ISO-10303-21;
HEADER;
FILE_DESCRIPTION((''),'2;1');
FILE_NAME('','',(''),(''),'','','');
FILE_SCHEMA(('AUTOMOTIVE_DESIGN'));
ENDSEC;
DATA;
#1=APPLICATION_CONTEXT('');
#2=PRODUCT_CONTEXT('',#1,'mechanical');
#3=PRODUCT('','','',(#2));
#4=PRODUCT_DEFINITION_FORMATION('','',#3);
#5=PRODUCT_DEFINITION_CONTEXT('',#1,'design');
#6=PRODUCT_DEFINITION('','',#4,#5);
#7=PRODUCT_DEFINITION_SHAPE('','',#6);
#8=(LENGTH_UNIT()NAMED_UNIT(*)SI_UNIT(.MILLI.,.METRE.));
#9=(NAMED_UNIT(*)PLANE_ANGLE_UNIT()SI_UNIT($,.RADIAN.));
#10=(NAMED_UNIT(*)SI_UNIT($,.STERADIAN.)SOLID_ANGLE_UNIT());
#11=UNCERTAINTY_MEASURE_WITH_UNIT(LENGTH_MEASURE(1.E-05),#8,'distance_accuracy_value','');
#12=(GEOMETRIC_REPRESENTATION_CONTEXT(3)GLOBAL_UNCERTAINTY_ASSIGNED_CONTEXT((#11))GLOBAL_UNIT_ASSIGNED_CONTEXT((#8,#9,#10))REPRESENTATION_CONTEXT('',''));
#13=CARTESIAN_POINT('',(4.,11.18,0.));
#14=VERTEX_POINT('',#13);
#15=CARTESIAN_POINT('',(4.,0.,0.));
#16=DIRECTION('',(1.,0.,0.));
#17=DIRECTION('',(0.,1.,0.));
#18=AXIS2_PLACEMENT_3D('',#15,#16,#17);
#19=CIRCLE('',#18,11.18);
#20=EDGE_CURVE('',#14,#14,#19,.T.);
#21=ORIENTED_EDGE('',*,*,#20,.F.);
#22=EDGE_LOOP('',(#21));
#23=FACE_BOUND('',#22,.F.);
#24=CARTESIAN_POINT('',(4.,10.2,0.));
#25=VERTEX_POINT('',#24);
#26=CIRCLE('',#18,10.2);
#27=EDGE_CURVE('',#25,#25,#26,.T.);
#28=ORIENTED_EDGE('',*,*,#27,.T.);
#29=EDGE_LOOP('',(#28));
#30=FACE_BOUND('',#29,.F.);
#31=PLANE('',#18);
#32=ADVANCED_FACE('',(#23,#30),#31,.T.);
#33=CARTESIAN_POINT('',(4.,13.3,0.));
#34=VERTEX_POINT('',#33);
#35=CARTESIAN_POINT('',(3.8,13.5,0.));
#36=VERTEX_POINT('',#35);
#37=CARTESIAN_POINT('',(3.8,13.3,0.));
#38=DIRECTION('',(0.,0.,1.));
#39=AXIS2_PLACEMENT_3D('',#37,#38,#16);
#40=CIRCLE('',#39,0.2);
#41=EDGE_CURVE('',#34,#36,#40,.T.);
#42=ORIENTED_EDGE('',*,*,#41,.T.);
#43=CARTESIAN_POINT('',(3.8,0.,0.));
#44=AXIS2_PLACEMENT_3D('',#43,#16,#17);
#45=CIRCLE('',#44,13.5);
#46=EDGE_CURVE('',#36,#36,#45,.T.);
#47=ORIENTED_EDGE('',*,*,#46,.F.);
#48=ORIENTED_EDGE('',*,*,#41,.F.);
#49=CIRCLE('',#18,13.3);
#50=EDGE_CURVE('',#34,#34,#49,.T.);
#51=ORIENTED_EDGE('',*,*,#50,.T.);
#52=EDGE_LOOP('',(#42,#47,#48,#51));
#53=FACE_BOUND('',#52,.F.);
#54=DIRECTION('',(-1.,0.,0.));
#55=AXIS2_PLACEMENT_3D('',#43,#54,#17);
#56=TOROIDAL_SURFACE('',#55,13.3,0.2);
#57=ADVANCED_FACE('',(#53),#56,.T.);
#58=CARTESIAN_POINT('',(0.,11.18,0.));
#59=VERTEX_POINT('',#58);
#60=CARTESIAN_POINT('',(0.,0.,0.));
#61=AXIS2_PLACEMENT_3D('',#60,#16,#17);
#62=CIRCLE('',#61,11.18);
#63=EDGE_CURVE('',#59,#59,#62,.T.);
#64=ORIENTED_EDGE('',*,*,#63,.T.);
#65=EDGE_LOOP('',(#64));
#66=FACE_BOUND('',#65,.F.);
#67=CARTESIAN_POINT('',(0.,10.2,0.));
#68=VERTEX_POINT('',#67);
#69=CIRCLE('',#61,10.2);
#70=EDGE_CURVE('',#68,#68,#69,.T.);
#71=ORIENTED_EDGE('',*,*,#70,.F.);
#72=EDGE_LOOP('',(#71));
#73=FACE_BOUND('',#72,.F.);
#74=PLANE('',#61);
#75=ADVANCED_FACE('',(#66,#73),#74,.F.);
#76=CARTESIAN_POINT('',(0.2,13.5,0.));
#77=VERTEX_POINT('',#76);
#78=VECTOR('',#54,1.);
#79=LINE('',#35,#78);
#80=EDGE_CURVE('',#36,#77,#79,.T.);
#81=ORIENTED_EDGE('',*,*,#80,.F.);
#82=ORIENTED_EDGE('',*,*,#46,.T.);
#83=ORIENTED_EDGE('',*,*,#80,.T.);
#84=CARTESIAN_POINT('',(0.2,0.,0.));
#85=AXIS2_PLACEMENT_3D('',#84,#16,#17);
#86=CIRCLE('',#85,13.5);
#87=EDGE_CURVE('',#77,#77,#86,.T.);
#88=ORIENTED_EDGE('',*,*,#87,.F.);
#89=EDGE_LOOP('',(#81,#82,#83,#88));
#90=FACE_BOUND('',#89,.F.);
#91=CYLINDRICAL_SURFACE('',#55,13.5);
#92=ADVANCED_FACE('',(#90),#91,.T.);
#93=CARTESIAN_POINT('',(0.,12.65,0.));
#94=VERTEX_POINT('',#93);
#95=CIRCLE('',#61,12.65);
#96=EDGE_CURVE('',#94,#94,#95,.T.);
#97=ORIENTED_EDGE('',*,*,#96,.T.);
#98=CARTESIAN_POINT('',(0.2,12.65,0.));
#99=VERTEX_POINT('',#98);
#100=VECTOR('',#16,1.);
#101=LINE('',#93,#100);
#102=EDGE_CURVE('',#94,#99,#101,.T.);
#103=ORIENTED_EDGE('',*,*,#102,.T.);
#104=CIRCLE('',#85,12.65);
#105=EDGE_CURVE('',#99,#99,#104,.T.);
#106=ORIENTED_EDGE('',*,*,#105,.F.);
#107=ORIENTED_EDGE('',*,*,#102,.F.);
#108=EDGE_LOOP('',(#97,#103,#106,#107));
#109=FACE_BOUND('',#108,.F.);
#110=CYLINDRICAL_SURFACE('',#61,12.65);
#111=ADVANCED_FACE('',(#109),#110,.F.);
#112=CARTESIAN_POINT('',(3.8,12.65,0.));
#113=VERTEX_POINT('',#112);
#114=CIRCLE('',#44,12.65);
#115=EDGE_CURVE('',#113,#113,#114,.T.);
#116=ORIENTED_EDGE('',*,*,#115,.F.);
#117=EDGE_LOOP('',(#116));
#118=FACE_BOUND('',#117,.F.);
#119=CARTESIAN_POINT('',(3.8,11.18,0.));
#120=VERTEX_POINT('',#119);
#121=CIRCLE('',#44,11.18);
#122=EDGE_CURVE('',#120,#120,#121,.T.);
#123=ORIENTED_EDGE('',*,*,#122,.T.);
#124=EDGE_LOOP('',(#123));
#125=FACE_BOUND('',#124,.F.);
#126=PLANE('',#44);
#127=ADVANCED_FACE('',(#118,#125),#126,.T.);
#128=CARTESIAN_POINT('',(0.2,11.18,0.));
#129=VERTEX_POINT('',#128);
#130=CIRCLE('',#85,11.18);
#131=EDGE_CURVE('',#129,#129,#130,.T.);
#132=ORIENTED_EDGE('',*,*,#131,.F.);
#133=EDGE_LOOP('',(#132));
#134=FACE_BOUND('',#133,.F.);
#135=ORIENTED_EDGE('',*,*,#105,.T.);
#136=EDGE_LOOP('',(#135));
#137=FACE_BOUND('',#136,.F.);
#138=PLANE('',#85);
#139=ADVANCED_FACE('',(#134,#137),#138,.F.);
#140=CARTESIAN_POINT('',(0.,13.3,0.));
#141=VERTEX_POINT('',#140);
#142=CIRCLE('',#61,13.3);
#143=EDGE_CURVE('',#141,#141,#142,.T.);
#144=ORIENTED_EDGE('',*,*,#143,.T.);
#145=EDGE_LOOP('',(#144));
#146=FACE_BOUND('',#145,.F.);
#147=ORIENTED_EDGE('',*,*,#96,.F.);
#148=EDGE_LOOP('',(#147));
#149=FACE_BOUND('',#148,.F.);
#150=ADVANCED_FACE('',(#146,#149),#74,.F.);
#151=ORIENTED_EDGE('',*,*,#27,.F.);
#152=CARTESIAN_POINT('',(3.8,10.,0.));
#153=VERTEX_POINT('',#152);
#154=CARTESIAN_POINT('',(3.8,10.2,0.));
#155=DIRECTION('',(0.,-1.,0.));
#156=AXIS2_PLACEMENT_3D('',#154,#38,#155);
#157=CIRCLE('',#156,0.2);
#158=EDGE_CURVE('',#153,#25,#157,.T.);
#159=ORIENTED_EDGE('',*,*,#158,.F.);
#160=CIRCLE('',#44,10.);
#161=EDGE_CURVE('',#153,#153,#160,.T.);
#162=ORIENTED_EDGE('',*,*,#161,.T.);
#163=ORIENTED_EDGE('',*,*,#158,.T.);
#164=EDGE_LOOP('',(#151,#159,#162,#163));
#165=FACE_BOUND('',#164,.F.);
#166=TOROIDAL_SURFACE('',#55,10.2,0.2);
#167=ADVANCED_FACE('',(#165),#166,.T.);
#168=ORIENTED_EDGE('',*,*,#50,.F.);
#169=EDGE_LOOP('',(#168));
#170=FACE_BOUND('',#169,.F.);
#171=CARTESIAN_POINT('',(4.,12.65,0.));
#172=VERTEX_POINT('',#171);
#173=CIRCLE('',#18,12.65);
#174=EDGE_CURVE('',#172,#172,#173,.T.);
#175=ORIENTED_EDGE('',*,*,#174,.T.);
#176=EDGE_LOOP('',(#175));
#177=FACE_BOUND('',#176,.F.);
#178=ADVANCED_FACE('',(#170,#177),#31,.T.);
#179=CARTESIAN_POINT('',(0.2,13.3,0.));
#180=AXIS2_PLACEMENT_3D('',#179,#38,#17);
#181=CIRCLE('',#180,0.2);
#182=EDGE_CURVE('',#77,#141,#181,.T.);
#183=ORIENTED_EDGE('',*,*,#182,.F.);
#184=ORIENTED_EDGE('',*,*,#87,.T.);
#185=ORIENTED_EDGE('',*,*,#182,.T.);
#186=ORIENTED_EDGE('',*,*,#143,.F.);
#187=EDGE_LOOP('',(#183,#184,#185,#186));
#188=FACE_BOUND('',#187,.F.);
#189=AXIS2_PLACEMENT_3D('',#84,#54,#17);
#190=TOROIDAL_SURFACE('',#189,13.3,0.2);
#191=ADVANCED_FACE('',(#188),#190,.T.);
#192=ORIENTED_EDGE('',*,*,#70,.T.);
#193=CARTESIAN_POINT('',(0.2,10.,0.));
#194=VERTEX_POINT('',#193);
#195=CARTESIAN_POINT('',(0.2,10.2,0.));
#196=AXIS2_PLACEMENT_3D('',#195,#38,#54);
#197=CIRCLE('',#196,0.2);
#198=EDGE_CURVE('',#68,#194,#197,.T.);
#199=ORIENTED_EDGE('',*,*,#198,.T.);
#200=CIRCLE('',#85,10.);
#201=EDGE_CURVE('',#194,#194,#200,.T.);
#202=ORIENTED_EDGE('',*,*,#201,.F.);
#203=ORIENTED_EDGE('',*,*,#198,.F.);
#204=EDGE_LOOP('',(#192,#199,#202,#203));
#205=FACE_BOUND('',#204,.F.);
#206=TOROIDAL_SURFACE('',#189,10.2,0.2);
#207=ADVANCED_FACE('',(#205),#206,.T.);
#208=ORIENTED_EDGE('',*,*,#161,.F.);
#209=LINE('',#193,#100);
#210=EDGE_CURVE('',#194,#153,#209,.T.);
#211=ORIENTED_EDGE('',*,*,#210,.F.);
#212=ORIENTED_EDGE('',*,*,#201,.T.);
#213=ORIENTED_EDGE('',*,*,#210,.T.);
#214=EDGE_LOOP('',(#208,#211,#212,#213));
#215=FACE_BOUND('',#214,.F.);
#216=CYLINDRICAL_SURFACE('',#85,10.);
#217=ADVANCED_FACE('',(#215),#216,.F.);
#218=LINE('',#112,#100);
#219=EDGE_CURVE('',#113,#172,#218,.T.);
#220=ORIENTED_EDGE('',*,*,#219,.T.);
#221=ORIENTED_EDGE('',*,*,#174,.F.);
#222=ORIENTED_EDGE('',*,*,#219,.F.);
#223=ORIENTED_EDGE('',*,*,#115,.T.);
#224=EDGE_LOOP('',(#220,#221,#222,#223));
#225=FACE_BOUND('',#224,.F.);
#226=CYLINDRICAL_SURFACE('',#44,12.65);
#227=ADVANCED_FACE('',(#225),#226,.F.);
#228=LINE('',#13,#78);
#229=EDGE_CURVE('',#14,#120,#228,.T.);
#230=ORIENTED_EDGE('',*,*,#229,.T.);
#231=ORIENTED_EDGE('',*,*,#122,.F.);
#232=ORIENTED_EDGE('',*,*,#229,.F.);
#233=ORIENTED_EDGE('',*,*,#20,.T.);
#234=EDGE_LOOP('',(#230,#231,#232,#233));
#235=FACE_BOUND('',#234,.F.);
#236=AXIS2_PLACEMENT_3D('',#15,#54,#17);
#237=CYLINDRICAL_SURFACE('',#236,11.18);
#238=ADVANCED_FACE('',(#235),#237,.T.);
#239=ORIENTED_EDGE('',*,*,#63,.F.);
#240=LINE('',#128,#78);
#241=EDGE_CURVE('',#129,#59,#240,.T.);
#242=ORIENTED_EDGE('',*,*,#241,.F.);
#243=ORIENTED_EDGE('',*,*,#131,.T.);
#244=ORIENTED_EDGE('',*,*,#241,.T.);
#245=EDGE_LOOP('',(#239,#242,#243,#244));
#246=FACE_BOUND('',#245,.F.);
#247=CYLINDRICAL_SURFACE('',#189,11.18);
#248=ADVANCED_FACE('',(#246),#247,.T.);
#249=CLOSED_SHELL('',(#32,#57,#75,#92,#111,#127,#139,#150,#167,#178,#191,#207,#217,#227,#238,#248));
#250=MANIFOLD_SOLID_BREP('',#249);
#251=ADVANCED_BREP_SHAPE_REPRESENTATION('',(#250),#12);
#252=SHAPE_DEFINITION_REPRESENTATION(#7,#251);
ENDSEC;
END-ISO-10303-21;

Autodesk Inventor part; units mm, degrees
sketch "Sketch_1" plane through (0, 0, 0) normal (0, 0, 1) x (1, 0, 0)
  line L0 (4, 0) -> (0, 0)
  arc A0 (0, 10.2) -> (0.2, 10) centre (0.2, 10.2) ccw
  line L1 (0.2, 10) -> (3.8, 10)
  arc A1 (3.8, 10) -> (4, 10.2) centre (3.8, 10.2) ccw
  line L2 (4, 10.2) -> (4, 11.18)
  line L3 (4, 11.18) -> (3.8, 11.18)
  line L4 (3.8, 11.18) -> (3.8, 12.65)
  line L5 (3.8, 12.65) -> (4, 12.65)
  line L6 (4, 12.65) -> (4, 13.3)
  arc A2 (4, 13.3) -> (3.8, 13.5) centre (3.8, 13.3) ccw
  line L7 (3.8, 13.5) -> (0.2, 13.5)
  arc A3 (0.2, 13.5) -> (0, 13.3) centre (0.2, 13.3) ccw
  line L8 (0, 13.3) -> (0, 12.65)
  line L9 (0, 12.65) -> (0.2, 12.65)
  line L10 (0.2, 12.65) -> (0.2, 11.18)
  line L11 (0.2, 11.18) -> (0, 11.18)
  line L12 (0, 11.18) -> (0, 10.2)
revolve "Revolution1" add sketch "Sketch_1" angle 360 about axis through (4, 0, 0) along (1, 0, 0)
ref_plane "center_point_XY" through (2, 0, 0) normal (1, 0, 0) x (0, 0, -1)
ref_plane "center_point_YZ" through (2, 0, 0) normal (0, 0, -1) x (0, 1, 0)
ref_plane "center_point_ZX" through (2, 0, 0) normal (0, 1, 0) x (1, 0, 0)
ref_plane "to_housing_XY" through (0, 0, 0) normal (1, 0, 0) x (0, 0, -1)
ref_plane "to_housing_YZ" through (0, 0, 0) normal (0, 0, -1) x (0, 1, 0)
ref_plane "to_housing_ZX" through (0, 0, 0) normal (0, 1, 0) x (1, 0, 0)
ref_plane "to_ring_XY" through (3.6, 0, 0) normal (1, 0, 0) x (0, 0, -1)
ref_plane "to_ring_YZ" through (3.6, 0, 0) normal (0, 0, -1) x (0, 1, 0)
ref_plane "to_ring_ZX" through (3.6, 0, 0) normal (0, 1, 0) x (1, 0, 0)
properties part number "C-E6704ZZ" material "강철, 가공됨"
